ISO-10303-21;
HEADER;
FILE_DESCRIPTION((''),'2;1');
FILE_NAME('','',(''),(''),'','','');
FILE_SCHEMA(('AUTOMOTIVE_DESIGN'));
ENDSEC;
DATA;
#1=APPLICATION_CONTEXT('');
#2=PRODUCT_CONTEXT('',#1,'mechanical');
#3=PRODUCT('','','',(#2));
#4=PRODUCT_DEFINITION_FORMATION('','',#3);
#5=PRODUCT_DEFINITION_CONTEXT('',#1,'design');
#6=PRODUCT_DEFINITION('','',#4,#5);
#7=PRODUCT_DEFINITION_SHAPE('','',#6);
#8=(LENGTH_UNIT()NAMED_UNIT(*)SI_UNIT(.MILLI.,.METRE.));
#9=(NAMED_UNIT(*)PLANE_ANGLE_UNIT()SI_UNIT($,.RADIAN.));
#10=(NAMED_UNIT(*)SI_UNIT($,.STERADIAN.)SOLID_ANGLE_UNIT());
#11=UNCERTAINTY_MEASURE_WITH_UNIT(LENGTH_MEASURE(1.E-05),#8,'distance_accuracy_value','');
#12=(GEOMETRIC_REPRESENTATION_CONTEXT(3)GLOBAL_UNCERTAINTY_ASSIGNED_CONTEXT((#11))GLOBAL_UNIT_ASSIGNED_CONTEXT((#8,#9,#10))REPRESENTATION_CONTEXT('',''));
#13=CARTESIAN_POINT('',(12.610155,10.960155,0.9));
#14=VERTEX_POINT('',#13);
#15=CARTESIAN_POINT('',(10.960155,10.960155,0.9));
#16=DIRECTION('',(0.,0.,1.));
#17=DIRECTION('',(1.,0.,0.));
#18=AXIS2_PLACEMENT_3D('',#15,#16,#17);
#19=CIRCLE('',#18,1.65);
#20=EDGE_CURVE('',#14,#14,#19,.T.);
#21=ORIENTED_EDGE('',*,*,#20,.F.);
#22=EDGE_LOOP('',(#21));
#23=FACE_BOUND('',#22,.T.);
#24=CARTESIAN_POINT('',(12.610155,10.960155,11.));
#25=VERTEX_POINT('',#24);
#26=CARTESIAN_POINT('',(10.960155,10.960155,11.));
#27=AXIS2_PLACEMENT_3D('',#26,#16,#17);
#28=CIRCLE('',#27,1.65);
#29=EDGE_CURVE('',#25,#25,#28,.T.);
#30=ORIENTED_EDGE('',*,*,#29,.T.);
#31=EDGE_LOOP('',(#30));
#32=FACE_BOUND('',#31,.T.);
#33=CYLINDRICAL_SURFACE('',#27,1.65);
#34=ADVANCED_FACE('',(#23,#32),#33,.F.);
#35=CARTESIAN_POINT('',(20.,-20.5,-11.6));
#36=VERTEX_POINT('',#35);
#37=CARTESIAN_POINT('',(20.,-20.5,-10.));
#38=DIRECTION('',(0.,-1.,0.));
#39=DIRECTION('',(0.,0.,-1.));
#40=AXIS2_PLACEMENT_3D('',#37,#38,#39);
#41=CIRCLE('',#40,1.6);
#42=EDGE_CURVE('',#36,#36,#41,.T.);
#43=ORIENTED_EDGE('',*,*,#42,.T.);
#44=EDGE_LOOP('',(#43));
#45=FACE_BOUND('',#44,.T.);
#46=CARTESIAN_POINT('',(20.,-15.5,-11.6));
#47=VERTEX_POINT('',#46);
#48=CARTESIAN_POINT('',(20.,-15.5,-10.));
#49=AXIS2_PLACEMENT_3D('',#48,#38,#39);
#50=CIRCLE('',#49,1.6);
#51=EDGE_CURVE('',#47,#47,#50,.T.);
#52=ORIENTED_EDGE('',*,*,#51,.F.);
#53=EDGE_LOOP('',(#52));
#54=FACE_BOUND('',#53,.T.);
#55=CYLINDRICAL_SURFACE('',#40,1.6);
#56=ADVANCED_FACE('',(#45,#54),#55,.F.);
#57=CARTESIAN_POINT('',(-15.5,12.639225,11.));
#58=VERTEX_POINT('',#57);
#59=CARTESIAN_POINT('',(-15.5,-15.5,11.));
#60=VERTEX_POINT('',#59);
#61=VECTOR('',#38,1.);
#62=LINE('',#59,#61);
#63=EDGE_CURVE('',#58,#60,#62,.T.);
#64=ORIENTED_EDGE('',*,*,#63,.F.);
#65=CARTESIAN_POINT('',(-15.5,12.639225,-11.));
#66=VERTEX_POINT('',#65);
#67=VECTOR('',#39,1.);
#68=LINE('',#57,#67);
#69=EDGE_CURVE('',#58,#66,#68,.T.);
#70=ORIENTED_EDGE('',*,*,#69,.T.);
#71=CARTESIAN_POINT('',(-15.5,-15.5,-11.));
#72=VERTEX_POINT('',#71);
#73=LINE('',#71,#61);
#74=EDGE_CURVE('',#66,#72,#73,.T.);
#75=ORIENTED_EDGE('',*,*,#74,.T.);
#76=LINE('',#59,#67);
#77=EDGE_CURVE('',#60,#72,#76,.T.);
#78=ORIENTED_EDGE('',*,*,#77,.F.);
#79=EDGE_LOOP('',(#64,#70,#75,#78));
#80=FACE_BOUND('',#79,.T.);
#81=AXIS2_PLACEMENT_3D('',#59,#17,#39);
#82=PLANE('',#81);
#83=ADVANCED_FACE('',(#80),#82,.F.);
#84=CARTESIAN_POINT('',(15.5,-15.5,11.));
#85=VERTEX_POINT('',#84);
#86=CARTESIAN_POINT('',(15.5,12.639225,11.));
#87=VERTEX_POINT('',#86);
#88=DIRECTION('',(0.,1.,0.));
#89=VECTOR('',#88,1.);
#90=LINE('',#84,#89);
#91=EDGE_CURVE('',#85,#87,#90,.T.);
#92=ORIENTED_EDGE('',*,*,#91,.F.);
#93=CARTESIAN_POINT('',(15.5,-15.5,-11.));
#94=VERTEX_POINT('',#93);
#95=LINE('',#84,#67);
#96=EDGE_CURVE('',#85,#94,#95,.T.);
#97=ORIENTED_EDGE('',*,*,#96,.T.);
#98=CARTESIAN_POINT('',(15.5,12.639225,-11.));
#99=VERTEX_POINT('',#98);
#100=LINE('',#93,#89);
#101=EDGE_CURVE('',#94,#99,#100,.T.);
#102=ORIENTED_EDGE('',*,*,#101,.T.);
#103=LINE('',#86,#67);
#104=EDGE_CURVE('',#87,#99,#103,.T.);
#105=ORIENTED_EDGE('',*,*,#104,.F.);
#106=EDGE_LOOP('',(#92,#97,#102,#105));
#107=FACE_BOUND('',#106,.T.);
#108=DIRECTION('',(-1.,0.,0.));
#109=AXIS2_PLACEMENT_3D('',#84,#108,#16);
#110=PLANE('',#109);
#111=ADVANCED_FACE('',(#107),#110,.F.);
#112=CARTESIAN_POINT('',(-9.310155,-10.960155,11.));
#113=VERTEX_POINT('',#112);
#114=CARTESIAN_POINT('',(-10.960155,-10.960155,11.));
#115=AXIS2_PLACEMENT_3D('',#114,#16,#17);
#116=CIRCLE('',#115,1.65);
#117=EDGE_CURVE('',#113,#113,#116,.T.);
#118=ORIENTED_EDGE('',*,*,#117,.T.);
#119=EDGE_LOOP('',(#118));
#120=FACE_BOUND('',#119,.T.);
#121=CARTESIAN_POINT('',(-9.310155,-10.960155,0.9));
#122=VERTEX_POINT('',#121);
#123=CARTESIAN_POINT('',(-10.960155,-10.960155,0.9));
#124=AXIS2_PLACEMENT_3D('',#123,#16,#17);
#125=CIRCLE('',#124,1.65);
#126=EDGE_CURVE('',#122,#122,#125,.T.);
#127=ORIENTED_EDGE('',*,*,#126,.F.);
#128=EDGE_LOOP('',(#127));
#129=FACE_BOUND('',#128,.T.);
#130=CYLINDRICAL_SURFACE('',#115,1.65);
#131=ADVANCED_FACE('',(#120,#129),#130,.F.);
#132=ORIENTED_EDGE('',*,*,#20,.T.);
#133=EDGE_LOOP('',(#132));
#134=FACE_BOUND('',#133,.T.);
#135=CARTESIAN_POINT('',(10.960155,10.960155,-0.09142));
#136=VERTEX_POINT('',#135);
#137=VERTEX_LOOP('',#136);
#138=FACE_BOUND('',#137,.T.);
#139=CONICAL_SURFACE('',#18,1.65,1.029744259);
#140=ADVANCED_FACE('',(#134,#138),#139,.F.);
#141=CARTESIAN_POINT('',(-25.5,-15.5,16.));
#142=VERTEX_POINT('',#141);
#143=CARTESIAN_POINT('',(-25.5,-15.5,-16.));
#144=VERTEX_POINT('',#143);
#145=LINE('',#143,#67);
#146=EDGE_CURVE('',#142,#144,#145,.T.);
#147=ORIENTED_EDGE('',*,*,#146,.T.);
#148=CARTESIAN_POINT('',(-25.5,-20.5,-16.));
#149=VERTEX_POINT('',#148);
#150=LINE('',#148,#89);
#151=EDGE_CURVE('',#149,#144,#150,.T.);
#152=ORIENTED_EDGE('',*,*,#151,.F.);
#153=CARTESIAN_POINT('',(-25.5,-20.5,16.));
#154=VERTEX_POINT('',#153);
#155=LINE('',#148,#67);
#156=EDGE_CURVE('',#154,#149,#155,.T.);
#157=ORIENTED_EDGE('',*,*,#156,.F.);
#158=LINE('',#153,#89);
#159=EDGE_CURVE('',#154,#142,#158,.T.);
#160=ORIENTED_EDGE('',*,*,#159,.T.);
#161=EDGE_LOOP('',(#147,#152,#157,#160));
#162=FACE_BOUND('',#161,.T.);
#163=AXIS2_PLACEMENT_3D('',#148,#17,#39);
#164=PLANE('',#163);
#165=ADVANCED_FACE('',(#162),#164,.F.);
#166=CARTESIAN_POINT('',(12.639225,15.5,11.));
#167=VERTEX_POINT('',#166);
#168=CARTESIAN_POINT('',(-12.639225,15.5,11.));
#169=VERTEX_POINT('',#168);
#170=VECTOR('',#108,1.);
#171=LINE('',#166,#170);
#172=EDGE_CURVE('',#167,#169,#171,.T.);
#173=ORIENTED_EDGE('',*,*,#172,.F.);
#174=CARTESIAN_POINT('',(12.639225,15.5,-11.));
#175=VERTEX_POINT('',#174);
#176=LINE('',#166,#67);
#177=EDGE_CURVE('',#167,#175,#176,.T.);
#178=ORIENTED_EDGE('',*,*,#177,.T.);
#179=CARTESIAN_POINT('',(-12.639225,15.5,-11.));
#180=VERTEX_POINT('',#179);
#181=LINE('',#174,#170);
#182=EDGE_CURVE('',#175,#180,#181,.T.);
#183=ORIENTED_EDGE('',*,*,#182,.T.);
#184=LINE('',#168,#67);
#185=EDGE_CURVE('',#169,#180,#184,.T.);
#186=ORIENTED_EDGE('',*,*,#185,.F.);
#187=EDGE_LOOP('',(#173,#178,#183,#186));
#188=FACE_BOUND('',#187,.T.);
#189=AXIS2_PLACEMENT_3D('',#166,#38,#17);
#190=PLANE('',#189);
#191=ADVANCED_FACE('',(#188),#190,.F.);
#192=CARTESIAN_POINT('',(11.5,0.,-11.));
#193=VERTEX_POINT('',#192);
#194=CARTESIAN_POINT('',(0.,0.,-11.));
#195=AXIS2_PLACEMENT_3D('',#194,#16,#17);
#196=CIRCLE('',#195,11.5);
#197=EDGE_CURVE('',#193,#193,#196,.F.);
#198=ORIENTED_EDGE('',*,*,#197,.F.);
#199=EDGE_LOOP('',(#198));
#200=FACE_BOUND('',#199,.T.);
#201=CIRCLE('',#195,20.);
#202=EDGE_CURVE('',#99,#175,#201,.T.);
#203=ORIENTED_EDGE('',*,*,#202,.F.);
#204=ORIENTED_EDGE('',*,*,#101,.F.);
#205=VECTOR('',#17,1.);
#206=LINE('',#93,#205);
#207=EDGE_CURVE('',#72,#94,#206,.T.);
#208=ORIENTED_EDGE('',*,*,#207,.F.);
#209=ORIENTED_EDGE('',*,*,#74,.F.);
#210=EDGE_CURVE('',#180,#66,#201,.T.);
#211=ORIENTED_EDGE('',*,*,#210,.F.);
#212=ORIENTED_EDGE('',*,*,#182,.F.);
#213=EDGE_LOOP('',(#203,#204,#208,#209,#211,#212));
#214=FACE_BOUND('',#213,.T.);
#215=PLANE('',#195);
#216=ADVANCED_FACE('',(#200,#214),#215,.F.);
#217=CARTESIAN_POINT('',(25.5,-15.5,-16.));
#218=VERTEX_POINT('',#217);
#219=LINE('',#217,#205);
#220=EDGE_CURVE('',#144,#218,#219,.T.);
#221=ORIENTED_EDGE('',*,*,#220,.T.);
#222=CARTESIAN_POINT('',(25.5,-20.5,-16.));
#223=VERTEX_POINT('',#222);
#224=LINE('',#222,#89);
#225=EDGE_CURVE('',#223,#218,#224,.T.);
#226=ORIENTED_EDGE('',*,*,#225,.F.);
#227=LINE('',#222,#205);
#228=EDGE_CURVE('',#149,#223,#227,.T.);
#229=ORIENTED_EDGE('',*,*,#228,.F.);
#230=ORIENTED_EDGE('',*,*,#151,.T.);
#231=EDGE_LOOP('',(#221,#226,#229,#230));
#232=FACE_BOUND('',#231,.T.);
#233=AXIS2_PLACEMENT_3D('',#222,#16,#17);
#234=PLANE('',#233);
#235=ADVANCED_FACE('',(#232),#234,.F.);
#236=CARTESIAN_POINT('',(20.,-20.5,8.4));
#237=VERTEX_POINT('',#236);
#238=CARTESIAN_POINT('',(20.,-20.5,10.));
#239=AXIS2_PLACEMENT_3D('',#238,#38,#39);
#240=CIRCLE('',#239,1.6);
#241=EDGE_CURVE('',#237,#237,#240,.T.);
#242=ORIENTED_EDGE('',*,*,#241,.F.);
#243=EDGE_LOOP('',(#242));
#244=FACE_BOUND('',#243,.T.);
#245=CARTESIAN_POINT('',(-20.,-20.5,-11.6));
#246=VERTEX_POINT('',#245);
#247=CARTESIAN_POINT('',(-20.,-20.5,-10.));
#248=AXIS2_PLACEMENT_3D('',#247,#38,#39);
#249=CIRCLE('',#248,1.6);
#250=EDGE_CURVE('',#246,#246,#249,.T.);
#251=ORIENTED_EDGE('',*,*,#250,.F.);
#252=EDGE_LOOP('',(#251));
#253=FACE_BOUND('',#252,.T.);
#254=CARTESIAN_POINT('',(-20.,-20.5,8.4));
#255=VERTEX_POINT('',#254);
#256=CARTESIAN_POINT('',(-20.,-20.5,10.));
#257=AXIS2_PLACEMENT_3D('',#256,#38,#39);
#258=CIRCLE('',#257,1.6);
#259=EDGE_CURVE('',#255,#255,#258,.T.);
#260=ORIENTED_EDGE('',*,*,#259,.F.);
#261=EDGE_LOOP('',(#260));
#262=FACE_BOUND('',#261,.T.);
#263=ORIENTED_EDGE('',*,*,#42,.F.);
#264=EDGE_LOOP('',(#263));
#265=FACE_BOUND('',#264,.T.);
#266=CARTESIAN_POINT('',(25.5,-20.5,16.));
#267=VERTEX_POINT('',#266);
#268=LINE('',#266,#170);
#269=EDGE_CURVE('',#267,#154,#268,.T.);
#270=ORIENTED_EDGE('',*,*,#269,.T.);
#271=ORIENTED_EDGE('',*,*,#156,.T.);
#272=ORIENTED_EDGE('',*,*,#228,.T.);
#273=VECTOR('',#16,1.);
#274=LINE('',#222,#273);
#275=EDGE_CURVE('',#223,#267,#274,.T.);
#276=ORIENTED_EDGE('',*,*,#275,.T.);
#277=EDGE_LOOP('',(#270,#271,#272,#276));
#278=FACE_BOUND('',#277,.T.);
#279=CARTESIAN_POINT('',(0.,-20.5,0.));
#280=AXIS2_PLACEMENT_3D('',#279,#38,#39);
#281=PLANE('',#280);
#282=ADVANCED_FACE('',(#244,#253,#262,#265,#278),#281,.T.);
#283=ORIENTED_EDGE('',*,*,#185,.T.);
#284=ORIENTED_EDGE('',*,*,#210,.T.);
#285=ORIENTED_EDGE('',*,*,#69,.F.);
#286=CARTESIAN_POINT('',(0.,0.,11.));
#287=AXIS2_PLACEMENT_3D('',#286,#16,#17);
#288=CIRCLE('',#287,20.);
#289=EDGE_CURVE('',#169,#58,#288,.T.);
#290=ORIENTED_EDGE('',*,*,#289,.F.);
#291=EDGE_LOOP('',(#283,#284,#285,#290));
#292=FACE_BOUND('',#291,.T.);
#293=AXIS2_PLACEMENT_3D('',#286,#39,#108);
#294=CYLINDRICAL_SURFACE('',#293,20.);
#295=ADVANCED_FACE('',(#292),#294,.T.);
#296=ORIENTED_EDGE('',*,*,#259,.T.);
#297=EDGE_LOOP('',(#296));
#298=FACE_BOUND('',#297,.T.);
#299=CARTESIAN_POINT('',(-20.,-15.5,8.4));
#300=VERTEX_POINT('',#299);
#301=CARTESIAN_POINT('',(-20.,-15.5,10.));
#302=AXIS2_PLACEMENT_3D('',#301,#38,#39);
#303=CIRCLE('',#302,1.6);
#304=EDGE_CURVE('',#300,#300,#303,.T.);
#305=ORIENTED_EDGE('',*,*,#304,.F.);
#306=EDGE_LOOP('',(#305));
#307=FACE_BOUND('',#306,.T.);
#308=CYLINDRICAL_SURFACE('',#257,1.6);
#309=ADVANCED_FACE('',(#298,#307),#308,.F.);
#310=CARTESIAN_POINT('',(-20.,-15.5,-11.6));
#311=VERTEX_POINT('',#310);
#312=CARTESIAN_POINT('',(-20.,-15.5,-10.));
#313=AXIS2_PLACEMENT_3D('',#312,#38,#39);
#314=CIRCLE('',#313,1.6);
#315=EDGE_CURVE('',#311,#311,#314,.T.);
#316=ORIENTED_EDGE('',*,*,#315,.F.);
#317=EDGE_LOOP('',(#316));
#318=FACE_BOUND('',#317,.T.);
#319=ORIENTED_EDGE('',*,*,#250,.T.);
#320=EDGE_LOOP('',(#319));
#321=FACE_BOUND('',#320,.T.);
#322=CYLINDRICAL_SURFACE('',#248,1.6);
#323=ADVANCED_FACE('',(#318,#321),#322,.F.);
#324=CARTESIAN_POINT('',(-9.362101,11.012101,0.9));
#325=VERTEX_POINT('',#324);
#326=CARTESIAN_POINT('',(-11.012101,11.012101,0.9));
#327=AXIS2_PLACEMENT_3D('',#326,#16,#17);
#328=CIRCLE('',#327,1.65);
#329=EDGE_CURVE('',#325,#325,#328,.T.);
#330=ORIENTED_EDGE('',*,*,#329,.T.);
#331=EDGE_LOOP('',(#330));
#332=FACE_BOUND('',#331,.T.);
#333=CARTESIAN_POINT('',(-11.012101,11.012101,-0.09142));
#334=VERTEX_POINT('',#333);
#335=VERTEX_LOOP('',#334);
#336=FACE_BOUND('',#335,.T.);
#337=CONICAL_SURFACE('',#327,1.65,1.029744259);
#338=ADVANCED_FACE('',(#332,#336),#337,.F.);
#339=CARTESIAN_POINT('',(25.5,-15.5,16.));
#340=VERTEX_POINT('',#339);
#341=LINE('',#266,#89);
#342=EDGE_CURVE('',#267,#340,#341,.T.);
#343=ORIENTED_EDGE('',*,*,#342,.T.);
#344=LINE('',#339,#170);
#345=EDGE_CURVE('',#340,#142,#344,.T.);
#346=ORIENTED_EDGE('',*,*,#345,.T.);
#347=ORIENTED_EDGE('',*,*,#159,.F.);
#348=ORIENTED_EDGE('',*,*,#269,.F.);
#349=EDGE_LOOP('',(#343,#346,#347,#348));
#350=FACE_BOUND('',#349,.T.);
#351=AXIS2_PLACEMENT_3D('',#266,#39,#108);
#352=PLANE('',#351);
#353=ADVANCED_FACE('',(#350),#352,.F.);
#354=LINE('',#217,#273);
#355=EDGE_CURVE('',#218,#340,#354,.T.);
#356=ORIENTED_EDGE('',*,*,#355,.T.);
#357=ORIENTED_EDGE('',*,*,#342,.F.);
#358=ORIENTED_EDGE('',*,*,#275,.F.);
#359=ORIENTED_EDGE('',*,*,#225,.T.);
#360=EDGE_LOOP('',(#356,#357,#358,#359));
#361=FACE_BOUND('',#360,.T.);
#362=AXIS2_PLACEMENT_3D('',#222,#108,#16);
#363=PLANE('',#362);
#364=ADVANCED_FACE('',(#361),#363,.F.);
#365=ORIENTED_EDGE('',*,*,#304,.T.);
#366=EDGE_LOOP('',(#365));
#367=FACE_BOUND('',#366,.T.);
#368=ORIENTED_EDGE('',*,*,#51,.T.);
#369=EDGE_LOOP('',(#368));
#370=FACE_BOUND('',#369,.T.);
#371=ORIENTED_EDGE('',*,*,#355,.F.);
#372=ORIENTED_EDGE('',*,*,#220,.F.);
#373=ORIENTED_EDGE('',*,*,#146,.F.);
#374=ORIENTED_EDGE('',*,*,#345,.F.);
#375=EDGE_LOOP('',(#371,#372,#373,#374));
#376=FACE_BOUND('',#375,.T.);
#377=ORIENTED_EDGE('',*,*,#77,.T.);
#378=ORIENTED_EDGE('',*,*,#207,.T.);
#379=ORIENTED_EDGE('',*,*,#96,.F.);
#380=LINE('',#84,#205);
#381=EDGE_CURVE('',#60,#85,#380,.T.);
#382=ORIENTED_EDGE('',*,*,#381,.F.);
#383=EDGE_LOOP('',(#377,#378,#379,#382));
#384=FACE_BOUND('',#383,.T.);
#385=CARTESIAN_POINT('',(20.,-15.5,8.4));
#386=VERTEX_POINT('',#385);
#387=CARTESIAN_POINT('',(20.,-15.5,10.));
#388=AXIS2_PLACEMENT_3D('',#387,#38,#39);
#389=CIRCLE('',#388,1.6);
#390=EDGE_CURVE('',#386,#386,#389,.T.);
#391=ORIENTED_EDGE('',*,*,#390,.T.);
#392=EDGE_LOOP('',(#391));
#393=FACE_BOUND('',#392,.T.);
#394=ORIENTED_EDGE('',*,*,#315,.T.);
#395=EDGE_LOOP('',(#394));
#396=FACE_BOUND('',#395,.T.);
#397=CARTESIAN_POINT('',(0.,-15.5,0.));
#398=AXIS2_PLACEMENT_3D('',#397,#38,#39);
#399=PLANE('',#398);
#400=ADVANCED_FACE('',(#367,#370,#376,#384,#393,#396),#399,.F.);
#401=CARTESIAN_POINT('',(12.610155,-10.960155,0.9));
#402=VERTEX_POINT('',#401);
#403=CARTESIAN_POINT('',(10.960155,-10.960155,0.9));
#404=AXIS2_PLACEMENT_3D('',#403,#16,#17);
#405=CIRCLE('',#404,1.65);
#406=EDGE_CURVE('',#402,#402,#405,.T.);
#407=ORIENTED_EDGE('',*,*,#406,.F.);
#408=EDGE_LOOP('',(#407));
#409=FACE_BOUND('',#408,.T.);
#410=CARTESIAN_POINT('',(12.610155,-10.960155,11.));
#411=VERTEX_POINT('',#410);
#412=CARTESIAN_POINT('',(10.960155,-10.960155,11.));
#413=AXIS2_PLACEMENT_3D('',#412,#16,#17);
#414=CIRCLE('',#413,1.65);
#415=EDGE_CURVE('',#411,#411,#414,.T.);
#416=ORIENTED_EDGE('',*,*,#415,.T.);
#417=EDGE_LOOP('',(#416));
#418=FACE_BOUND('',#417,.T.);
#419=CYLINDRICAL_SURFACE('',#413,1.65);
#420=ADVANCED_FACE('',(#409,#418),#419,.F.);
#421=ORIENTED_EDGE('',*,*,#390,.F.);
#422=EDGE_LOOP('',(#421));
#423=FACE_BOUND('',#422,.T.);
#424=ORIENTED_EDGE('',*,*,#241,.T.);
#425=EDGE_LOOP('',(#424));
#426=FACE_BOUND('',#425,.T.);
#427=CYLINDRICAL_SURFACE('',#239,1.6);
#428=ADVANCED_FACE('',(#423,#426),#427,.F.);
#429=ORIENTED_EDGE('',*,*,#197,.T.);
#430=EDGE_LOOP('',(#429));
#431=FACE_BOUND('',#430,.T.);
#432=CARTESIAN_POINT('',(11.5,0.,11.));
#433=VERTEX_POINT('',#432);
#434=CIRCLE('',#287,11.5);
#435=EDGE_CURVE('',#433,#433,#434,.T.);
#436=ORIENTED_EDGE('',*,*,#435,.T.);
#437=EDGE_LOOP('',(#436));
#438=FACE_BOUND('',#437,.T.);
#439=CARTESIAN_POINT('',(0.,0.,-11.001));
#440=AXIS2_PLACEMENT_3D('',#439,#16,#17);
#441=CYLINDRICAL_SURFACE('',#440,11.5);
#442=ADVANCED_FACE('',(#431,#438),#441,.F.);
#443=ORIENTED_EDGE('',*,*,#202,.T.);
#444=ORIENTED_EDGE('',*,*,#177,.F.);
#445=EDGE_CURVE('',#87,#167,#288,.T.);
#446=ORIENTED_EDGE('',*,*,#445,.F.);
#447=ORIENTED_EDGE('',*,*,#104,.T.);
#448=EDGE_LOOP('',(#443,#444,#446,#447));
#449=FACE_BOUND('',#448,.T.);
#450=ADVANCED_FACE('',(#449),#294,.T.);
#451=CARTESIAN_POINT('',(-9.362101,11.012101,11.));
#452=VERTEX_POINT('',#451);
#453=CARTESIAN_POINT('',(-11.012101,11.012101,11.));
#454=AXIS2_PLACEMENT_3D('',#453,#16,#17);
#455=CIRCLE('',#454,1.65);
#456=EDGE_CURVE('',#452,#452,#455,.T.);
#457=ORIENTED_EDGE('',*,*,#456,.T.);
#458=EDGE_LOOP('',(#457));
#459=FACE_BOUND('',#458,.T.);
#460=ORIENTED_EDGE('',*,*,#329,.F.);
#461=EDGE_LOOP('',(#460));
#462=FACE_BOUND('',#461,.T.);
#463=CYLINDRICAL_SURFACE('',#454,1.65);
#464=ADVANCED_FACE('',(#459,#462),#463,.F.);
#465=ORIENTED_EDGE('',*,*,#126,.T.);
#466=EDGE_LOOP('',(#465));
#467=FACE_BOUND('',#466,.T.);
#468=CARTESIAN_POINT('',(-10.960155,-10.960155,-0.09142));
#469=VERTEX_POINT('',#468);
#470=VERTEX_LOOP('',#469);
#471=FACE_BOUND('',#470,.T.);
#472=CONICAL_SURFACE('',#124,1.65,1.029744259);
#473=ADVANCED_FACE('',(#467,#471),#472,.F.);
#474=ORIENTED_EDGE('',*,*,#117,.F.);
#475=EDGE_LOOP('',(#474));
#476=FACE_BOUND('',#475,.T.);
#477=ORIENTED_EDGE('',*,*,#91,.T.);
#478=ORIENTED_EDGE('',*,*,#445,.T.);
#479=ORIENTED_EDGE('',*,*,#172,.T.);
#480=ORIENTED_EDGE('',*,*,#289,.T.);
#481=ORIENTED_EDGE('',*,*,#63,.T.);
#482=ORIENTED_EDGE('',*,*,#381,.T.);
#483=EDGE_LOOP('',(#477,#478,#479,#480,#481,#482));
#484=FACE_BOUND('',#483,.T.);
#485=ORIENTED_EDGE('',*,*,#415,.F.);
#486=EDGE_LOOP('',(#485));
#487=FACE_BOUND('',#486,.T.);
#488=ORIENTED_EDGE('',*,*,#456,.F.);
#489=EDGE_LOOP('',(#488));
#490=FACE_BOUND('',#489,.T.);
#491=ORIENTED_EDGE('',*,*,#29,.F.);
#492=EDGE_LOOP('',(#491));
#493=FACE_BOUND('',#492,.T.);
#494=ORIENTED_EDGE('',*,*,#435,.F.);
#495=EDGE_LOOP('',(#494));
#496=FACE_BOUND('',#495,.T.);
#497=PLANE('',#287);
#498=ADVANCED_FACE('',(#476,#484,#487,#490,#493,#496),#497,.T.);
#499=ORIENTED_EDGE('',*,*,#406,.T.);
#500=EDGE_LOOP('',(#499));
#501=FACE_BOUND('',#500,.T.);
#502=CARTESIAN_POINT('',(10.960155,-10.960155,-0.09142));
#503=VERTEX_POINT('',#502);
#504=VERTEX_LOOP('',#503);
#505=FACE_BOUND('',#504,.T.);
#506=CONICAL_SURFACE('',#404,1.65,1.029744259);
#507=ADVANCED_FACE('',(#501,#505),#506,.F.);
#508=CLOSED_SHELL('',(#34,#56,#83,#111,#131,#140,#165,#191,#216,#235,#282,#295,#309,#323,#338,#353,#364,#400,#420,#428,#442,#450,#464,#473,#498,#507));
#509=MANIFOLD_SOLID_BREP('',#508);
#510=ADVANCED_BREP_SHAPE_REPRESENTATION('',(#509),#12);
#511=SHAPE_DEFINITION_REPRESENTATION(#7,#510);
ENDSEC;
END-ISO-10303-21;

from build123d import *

# Parameters (mm, degrees)
EXTRUDE_1_DEPTH             = 11
CUT_EXTRUDE_1_REACH         = 24
SKETCH_2_R                  = 11.5
HOLE_WIZARD_M4_1_D          = 3.3
HOLE_WIZARD_M4_1_DEPTH      = 10.1
HOLE_WIZARD_M4_1_TIP        = 0.991420021
SKETCH_9_W                  = 51
SKETCH_9_H                  = 32
EXTRUDE_2_DEPTH             = 5
HOLE_WIZARD_3_2_3_2_1_D     = 3.2
HOLE_WIZARD_3_2_3_2_1_DEPTH = 5


with BuildPart() as part:
    # 草图1 → 凸台-拉伸1 (new body, symmetric)
    with BuildSketch(Plane.XY):
        with BuildLine():
            Line((15.5, -15.5), (-15.5, -15.5))
            Line((-15.5, -15.5), (-15.5, 12.63922466))
            ThreePointArc((-15.5, 12.63922466), (-14.142135624, 14.142135624), (-12.63922466, 15.5))
            Line((-12.63922466, 15.5), (12.63922466, 15.5))
            ThreePointArc((12.63922466, 15.5), (14.142135624, 14.142135624), (15.5, 12.63922466))
            Line((15.5, 12.63922466), (15.5, -15.5))
        make_face()
    extrude(amount=EXTRUDE_1_DEPTH, both=True)

    # 草图2 → 切除-拉伸1 (cut, up to next)
    with BuildSketch(Plane.XY.offset(11), mode=Mode.PRIVATE) as cut_extrude_1_sk1:
        Circle(SKETCH_2_R)
    cut_extrude_1_tool1 = extrude(cut_extrude_1_sk1.sketch, amount=-CUT_EXTRUDE_1_REACH, mode=Mode.PRIVATE) & part.part
    add(cut_extrude_1_tool1.solids().sort_by_distance((0, 0, 11))[0], mode=Mode.SUBTRACT)

    # M4 螺纹孔1
    with Locations(Plane.XY.offset(11)):
        with Locations((-11.012100522, 11.012100522), (10.960155108, 10.960155108), (10.960155108, -10.960155108), (-10.960155108, -10.960155108)):
            Hole(HOLE_WIZARD_M4_1_D / 2, depth=HOLE_WIZARD_M4_1_DEPTH)
            with Locations((0, 0, -(HOLE_WIZARD_M4_1_DEPTH + HOLE_WIZARD_M4_1_TIP / 2))):  # 118° drill point
                Cone(0, HOLE_WIZARD_M4_1_D / 2, HOLE_WIZARD_M4_1_TIP, mode=Mode.SUBTRACT)

    # 草图9 → 凸台-拉伸2 (add)
    with BuildSketch(Plane.XZ.offset(15.5)):
        Rectangle(SKETCH_9_W, SKETCH_9_H)
    extrude(amount=EXTRUDE_2_DEPTH)

    # Ø3.2 (3.2) 直径孔1
    with Locations(Plane(origin=(0, -20.5, 0), x_dir=(-1, 0, 0), z_dir=(0, -1, 0))):
        with Locations((20, -10), (-20, -10), (-20, 10), (20, 10)):
            Hole(HOLE_WIZARD_3_2_3_2_1_D / 2, depth=HOLE_WIZARD_3_2_3_2_1_DEPTH)


solid = part.part
